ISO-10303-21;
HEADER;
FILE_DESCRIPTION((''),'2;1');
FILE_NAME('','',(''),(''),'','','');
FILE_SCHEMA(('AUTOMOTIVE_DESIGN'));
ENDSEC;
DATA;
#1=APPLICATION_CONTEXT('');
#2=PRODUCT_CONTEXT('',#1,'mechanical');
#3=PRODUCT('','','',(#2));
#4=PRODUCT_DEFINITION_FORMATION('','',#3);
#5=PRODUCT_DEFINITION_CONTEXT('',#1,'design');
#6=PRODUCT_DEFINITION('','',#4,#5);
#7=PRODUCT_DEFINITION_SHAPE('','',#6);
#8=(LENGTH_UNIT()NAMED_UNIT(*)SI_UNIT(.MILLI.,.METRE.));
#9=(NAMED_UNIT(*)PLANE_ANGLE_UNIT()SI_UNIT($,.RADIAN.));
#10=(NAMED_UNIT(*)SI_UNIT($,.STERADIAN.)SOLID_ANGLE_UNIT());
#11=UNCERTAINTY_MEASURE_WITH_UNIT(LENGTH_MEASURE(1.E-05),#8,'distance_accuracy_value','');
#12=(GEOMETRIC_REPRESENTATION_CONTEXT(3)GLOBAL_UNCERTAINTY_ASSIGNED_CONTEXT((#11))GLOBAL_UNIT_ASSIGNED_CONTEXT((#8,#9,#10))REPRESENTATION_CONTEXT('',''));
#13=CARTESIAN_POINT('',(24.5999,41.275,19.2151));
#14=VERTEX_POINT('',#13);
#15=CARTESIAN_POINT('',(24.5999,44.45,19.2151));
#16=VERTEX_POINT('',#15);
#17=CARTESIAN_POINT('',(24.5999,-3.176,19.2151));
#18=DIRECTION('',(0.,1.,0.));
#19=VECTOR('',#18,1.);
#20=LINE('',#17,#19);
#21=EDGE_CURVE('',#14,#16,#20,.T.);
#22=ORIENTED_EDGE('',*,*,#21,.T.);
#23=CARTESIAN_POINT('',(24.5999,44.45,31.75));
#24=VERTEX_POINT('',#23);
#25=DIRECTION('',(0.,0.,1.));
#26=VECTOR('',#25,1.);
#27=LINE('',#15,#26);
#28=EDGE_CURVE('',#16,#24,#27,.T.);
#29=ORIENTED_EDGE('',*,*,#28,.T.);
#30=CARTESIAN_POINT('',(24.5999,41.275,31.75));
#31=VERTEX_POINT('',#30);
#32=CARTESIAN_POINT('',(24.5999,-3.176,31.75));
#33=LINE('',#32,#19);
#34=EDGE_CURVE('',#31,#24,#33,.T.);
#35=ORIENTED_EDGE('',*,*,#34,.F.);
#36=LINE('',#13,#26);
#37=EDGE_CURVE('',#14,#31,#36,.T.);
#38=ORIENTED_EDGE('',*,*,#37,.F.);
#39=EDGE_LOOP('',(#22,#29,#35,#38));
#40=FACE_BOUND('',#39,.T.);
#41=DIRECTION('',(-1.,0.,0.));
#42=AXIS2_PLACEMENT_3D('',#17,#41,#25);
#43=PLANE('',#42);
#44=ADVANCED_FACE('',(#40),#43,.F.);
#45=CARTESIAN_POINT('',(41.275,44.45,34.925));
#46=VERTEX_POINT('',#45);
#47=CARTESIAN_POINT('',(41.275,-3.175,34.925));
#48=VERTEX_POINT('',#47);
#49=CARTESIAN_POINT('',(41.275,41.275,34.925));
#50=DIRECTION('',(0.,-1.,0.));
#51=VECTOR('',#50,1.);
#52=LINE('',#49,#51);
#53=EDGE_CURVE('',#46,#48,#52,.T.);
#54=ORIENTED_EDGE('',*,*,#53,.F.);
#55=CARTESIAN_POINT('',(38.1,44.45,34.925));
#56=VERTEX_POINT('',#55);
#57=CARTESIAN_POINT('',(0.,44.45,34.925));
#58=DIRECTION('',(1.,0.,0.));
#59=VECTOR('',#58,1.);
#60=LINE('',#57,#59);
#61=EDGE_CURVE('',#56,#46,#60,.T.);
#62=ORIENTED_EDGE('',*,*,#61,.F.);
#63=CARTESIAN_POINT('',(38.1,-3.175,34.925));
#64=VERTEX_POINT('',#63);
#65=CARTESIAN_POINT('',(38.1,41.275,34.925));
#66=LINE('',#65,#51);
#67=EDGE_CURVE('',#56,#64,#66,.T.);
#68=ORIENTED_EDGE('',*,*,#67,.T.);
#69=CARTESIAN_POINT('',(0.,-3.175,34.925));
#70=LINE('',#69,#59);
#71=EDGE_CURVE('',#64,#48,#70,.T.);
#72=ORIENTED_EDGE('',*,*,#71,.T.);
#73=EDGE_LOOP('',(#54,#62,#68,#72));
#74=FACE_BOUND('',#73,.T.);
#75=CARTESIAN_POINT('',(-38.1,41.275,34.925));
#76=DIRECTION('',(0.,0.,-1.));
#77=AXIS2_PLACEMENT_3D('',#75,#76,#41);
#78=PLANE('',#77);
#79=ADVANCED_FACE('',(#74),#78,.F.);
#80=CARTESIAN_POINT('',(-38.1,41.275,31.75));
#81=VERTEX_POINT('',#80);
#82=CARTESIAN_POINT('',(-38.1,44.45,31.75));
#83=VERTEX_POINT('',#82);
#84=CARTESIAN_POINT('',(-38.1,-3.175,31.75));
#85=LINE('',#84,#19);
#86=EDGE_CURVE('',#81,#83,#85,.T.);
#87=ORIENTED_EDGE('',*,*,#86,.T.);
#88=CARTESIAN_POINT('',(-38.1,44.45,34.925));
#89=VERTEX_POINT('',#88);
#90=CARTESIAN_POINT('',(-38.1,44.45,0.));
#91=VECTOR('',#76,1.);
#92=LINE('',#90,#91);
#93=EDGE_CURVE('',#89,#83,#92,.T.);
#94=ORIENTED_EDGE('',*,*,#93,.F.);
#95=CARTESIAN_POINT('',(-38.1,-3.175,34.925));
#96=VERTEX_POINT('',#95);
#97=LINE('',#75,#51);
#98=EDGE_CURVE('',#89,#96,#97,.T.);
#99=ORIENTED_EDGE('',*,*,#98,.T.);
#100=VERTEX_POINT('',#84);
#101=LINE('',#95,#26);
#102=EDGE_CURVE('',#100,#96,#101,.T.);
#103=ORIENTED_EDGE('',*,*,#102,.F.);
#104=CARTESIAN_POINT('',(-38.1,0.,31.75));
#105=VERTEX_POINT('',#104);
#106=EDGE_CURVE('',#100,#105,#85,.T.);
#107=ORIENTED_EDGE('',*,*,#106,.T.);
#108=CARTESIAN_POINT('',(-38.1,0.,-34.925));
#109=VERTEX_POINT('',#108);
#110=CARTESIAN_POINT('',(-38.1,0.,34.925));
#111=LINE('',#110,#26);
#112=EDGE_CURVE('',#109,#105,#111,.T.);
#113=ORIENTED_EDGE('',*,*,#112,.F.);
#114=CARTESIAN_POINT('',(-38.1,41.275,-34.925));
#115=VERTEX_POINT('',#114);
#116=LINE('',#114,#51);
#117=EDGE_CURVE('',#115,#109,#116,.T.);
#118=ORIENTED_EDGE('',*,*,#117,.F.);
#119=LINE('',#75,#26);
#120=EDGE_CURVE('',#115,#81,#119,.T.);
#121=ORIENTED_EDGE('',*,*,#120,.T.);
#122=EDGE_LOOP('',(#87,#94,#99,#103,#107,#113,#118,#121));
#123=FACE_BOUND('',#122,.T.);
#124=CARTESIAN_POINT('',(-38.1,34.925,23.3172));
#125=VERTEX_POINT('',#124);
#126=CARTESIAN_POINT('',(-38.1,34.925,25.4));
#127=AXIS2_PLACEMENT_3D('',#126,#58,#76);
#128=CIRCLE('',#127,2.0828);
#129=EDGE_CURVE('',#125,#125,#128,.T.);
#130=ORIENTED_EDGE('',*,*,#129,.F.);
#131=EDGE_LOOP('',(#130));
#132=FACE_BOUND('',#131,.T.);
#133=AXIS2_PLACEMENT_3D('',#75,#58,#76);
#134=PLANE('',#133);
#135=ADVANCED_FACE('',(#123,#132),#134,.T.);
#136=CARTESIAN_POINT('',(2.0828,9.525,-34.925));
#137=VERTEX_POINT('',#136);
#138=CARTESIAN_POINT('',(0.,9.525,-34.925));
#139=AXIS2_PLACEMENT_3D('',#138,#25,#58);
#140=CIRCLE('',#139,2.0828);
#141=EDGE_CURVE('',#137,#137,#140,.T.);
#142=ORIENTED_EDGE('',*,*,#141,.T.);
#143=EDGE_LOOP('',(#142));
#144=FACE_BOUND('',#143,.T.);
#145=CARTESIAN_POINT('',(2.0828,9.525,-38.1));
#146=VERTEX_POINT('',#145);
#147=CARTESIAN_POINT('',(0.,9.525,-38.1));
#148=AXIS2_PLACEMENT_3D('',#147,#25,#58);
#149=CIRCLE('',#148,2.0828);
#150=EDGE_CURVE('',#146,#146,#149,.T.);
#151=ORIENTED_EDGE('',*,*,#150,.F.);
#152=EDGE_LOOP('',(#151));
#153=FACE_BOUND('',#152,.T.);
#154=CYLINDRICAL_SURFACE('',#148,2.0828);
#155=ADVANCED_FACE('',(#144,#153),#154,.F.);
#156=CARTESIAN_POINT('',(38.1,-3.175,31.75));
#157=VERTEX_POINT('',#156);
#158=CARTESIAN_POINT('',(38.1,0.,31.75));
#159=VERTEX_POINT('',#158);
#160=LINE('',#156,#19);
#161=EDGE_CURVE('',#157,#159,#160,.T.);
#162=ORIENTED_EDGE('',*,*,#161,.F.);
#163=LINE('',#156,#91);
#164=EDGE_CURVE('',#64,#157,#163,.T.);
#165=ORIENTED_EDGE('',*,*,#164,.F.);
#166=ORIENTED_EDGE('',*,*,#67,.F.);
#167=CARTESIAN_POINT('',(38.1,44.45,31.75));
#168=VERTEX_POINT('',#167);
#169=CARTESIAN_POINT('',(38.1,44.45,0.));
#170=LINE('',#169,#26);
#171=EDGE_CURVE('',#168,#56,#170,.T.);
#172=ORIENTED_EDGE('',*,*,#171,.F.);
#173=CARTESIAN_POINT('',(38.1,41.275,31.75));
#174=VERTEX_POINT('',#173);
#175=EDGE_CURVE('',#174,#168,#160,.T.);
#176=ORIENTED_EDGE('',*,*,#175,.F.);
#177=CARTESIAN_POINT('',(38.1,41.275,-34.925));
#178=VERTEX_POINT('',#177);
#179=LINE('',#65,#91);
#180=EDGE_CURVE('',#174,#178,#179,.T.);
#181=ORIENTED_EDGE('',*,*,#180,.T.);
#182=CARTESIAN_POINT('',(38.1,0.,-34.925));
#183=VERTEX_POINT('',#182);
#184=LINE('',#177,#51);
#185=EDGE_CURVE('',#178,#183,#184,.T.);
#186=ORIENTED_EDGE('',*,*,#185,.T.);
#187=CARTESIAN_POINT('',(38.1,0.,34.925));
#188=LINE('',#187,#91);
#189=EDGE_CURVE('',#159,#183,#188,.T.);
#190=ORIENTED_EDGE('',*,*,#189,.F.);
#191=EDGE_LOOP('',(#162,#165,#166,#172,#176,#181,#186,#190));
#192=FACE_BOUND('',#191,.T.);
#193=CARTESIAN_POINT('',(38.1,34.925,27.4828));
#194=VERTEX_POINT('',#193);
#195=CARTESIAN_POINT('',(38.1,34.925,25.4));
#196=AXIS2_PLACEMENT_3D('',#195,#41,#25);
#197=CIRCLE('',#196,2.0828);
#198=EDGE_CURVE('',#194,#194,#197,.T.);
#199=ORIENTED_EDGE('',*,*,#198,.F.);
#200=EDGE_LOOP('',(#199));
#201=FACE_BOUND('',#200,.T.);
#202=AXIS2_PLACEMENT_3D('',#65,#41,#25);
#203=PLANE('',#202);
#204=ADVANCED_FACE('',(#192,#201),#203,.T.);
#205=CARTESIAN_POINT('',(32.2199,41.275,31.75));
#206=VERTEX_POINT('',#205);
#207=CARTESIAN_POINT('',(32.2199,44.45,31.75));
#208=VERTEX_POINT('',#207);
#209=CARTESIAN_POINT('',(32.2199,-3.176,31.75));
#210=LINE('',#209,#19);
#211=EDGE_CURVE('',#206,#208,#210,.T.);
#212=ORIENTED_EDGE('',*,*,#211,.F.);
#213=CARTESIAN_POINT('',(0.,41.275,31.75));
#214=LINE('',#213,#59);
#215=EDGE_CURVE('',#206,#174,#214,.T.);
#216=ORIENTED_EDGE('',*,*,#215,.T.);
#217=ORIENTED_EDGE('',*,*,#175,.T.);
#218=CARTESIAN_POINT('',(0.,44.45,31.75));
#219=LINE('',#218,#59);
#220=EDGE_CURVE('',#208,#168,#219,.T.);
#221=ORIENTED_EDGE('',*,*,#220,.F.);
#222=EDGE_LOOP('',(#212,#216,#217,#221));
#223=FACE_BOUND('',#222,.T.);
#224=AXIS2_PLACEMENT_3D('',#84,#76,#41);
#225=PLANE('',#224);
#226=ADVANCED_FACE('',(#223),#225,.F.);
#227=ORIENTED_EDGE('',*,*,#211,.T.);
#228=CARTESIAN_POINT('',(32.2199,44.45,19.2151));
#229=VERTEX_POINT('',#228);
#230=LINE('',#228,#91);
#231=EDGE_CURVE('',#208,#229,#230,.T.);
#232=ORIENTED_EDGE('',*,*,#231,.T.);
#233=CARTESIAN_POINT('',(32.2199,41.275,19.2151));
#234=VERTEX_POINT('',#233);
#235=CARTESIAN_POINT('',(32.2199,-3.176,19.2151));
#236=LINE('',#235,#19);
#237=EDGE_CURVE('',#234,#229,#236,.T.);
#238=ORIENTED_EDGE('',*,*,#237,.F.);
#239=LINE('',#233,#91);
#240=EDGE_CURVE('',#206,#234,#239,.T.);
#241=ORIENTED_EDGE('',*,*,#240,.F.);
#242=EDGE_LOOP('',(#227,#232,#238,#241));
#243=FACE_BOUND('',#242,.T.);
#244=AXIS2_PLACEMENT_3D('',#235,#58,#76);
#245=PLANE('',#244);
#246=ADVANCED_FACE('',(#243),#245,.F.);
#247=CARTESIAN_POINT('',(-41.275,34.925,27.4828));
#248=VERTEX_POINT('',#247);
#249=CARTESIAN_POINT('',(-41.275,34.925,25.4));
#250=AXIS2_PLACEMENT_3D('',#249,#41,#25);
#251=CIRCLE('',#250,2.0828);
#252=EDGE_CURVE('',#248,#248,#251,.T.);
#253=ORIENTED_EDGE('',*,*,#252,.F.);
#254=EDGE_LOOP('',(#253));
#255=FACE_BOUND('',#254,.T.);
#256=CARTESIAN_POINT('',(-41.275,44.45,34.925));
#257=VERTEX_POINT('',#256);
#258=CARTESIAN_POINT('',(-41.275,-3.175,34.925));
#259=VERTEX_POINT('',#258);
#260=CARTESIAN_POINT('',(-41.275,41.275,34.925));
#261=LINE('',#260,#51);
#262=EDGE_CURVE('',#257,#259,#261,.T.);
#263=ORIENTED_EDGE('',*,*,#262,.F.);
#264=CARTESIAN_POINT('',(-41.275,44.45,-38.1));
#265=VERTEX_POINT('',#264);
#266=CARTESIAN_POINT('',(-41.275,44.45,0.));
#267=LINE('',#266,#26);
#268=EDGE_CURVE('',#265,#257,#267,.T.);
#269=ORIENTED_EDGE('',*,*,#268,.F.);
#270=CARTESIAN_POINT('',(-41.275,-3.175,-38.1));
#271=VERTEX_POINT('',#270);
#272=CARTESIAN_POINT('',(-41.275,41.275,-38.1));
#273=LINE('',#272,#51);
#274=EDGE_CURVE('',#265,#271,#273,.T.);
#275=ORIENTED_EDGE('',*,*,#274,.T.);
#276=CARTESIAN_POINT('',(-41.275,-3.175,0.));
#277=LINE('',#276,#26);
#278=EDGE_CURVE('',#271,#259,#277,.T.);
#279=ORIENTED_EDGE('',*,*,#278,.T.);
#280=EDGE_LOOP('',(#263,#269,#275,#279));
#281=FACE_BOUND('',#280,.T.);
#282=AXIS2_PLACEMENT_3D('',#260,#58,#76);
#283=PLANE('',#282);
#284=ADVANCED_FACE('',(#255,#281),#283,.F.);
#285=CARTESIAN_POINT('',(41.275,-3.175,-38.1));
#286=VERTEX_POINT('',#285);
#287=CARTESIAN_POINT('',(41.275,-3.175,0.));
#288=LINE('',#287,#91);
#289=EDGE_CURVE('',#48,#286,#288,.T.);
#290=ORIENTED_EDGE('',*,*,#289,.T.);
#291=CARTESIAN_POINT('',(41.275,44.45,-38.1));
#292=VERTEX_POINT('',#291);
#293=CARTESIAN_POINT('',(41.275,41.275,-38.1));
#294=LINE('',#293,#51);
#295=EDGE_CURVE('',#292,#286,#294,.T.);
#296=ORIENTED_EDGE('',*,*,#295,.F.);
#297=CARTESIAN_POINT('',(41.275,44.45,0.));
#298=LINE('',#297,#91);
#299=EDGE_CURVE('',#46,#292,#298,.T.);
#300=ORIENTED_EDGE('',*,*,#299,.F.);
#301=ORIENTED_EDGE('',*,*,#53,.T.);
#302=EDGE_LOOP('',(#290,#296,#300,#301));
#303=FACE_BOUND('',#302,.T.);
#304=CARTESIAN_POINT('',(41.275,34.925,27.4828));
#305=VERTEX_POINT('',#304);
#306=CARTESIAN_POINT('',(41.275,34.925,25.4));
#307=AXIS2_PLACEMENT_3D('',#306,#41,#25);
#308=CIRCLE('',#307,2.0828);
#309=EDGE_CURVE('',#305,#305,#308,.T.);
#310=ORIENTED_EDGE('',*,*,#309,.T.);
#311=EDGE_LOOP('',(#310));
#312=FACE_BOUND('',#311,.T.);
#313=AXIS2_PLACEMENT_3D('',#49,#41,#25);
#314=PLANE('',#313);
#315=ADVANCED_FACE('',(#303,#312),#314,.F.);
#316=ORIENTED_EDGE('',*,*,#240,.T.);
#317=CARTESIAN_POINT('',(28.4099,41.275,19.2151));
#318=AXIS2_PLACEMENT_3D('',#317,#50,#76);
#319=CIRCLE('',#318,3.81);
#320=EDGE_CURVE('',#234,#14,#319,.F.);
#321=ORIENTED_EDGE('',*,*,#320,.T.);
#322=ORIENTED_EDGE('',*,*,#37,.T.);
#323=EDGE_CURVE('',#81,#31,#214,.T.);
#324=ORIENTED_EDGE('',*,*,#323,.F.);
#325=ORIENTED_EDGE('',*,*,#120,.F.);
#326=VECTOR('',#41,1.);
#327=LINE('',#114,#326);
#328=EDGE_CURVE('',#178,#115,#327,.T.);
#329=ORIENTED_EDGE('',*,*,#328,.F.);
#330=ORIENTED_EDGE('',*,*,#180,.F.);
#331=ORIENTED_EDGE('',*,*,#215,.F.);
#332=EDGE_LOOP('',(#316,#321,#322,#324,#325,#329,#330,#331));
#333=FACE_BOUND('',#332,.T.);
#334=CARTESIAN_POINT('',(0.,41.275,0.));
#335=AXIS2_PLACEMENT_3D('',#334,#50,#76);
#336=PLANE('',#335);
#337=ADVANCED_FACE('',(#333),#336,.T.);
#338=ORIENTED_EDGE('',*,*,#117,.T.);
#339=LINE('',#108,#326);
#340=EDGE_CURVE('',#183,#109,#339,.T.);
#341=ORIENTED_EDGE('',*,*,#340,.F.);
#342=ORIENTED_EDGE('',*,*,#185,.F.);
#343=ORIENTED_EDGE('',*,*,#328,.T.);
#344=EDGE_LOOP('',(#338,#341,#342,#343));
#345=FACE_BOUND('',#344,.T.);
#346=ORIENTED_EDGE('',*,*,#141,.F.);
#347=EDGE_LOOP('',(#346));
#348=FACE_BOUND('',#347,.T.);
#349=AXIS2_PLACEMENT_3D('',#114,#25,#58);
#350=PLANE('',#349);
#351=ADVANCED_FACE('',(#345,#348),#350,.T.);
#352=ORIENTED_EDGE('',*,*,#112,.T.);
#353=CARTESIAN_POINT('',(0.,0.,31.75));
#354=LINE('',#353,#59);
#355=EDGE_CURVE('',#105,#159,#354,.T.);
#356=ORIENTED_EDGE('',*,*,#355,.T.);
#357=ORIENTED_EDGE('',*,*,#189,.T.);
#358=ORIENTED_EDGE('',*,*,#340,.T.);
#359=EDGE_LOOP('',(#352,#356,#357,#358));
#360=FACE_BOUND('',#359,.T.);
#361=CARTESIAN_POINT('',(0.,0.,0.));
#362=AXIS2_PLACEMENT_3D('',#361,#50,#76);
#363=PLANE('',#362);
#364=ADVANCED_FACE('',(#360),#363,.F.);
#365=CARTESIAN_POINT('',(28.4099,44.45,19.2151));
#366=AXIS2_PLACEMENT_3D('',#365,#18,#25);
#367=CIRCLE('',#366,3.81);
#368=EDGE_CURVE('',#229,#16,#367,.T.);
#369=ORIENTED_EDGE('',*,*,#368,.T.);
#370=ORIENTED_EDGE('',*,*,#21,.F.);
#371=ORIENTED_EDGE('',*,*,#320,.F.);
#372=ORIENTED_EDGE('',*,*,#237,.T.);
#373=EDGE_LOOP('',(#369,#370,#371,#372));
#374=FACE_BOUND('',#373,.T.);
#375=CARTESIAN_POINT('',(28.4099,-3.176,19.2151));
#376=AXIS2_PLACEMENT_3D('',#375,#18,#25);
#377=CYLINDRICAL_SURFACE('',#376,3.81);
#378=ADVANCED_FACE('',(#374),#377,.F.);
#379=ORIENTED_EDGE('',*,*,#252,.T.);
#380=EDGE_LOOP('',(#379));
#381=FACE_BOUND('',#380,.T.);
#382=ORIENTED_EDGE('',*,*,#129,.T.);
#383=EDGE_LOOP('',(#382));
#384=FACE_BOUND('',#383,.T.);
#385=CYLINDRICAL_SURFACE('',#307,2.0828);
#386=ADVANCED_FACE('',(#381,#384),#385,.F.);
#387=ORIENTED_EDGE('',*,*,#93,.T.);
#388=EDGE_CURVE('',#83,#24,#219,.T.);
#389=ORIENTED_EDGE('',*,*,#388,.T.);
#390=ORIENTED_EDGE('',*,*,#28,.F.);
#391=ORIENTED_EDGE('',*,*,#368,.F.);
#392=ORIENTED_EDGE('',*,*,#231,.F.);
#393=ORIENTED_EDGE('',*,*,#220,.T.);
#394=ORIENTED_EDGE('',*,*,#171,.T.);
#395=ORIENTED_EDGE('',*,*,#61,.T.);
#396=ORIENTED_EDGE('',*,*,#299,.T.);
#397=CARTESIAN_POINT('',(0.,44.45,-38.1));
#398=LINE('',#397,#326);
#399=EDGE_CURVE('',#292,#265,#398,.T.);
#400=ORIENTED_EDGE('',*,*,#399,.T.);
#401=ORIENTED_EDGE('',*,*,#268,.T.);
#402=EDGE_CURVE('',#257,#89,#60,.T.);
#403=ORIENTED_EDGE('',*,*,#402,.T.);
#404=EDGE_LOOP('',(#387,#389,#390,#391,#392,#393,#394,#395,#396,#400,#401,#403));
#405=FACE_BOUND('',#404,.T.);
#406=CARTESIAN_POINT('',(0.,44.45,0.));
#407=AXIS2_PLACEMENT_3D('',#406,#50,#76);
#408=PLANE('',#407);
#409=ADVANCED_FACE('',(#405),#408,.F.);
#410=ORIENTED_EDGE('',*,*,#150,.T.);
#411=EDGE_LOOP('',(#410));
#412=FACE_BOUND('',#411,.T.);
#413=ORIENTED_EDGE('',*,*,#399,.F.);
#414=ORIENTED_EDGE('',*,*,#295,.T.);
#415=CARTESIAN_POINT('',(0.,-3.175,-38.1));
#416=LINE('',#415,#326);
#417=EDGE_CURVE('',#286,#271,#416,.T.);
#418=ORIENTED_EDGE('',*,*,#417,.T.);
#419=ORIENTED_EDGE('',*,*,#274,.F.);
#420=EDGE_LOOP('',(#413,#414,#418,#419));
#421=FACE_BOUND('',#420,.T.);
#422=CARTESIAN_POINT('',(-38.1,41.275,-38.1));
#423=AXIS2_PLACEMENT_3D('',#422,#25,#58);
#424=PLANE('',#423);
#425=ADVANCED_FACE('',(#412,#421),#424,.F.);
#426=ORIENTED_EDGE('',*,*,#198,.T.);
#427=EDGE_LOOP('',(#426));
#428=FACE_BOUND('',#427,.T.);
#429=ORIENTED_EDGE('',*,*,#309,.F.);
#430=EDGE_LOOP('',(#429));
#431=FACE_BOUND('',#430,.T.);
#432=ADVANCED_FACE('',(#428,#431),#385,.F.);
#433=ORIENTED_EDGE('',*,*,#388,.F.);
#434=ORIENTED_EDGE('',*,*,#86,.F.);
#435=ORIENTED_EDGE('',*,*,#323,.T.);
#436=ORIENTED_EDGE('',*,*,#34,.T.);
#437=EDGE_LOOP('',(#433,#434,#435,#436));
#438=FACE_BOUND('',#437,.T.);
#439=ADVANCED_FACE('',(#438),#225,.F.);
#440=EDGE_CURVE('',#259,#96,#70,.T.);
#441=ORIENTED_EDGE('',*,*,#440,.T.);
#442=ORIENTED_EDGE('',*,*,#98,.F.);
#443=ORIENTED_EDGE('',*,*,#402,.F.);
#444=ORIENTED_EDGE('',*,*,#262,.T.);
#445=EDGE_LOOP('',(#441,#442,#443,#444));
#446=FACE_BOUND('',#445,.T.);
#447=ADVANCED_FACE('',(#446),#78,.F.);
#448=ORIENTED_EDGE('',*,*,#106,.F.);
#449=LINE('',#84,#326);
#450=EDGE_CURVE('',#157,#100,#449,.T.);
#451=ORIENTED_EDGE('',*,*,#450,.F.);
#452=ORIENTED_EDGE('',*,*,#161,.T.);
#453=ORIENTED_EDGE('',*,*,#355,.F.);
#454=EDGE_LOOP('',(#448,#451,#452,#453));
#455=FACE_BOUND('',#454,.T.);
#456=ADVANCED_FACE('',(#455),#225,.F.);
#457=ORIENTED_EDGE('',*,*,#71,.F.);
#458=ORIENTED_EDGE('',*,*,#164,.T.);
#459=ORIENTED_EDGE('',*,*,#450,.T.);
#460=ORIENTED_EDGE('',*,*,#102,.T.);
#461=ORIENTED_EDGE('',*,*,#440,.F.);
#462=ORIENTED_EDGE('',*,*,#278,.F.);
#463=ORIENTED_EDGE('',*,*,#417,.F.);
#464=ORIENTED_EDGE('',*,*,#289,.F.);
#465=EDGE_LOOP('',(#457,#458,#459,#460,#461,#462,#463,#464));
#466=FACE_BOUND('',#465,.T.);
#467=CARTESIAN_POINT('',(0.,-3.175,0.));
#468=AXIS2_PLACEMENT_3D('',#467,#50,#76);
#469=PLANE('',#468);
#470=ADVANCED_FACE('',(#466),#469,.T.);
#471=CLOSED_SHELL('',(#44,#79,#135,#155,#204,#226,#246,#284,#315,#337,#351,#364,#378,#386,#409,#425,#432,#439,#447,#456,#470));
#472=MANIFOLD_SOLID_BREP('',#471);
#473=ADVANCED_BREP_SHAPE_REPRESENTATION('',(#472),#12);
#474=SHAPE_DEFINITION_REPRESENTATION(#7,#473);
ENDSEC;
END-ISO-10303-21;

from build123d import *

# Parameters (mm, degrees)
SKETCH1_W               = 76.2
SKETCH1_H               = 69.85
BOSS_EXTRUDE1_DEPTH     = 41.275
SHELL2_T                = 3.175
SKETCH2_W               = 76.2
SKETCH2_H               = 3.175
CUT_EXTRUDE1_DEPTH      = 74.643575755
CUT_EXTRUDE1_DEPTH_BACK = 74.643575755
CUT_EXTRUDE2_REACH      = 75.644
SKETCH4_R               = 2.0828
CUT_EXTRUDE3_DEPTH      = 3.175
SKETCH5_R               = 2.0828
CUT_EXTRUDE4_DEPTH      = 99.629626001
CUT_EXTRUDE4_DEPTH_BACK = 99.629626001


with BuildPart() as part:
    # Sketch1 → Boss-Extrude1 (new body)
    with BuildSketch(Plane(origin=(0, 0, 0), x_dir=(1, 0, 0), z_dir=(0, 1, 0))):
        Rectangle(SKETCH1_W, SKETCH1_H)
    extrude(amount=BOSS_EXTRUDE1_DEPTH)

    # Shell2
    shell2_openings = [part.faces().sort_by_distance(p)[0] for p in [
        (0, 20.6375, 34.925),
    ]]
    offset(amount=SHELL2_T, openings=shell2_openings, kind=Kind.INTERSECTION)

    # Sketch2 → Cut-Extrude1 (cut, two sides)
    with BuildSketch(Plane(origin=(0, 44.45, 0), x_dir=(1, 0, 0), z_dir=(0, 1, 0))) as cut_extrude1_sk:
        with Locations((0, -33.3375)):
            Rectangle(SKETCH2_W, SKETCH2_H)
    extrude(amount=CUT_EXTRUDE1_DEPTH, mode=Mode.SUBTRACT)
    extrude(cut_extrude1_sk.sketch, amount=-CUT_EXTRUDE1_DEPTH_BACK, mode=Mode.SUBTRACT)

    # Sketch3 → Cut-Extrude2 (cut, up to next)
    with BuildSketch(Plane(origin=(0, 44.45, 0), x_dir=(1, 0, 0), z_dir=(0, 1, 0)), mode=Mode.PRIVATE) as cut_extrude2_sk1:
        with BuildLine():
            Line((24.5999, -19.2151), (24.5999, -31.75))
            Line((24.5999, -31.75), (32.2199, -31.75))
            Line((32.2199, -31.75), (32.2199, -19.2151))
            ThreePointArc((32.2199, -19.2151), (28.4099, -15.4051), (24.5999, -19.2151))
        make_face()
    cut_extrude2_tool1 = extrude(cut_extrude2_sk1.sketch, amount=-CUT_EXTRUDE2_REACH, mode=Mode.PRIVATE) & part.part
    add(cut_extrude2_tool1.solids().sort_by_distance((28.4099, 44.45, 23.96308))[0], mode=Mode.SUBTRACT)

    # Sketch4 → Cut-Extrude3 (cut)
    with BuildSketch(Plane.XY.offset(-34.925)):
        with Locations((0, 9.525)):
            Circle(SKETCH4_R)
    extrude(amount=-CUT_EXTRUDE3_DEPTH, mode=Mode.SUBTRACT)

    # Sketch5 → Cut-Extrude4 (cut, two sides)
    with BuildSketch(Plane.ZY.offset(-38.1)) as cut_extrude4_sk:
        with Locations((25.4, 34.925)):
            Circle(SKETCH5_R)
    extrude(amount=CUT_EXTRUDE4_DEPTH, mode=Mode.SUBTRACT)
    extrude(cut_extrude4_sk.sketch, amount=-CUT_EXTRUDE4_DEPTH_BACK, mode=Mode.SUBTRACT)


solid = part.part
